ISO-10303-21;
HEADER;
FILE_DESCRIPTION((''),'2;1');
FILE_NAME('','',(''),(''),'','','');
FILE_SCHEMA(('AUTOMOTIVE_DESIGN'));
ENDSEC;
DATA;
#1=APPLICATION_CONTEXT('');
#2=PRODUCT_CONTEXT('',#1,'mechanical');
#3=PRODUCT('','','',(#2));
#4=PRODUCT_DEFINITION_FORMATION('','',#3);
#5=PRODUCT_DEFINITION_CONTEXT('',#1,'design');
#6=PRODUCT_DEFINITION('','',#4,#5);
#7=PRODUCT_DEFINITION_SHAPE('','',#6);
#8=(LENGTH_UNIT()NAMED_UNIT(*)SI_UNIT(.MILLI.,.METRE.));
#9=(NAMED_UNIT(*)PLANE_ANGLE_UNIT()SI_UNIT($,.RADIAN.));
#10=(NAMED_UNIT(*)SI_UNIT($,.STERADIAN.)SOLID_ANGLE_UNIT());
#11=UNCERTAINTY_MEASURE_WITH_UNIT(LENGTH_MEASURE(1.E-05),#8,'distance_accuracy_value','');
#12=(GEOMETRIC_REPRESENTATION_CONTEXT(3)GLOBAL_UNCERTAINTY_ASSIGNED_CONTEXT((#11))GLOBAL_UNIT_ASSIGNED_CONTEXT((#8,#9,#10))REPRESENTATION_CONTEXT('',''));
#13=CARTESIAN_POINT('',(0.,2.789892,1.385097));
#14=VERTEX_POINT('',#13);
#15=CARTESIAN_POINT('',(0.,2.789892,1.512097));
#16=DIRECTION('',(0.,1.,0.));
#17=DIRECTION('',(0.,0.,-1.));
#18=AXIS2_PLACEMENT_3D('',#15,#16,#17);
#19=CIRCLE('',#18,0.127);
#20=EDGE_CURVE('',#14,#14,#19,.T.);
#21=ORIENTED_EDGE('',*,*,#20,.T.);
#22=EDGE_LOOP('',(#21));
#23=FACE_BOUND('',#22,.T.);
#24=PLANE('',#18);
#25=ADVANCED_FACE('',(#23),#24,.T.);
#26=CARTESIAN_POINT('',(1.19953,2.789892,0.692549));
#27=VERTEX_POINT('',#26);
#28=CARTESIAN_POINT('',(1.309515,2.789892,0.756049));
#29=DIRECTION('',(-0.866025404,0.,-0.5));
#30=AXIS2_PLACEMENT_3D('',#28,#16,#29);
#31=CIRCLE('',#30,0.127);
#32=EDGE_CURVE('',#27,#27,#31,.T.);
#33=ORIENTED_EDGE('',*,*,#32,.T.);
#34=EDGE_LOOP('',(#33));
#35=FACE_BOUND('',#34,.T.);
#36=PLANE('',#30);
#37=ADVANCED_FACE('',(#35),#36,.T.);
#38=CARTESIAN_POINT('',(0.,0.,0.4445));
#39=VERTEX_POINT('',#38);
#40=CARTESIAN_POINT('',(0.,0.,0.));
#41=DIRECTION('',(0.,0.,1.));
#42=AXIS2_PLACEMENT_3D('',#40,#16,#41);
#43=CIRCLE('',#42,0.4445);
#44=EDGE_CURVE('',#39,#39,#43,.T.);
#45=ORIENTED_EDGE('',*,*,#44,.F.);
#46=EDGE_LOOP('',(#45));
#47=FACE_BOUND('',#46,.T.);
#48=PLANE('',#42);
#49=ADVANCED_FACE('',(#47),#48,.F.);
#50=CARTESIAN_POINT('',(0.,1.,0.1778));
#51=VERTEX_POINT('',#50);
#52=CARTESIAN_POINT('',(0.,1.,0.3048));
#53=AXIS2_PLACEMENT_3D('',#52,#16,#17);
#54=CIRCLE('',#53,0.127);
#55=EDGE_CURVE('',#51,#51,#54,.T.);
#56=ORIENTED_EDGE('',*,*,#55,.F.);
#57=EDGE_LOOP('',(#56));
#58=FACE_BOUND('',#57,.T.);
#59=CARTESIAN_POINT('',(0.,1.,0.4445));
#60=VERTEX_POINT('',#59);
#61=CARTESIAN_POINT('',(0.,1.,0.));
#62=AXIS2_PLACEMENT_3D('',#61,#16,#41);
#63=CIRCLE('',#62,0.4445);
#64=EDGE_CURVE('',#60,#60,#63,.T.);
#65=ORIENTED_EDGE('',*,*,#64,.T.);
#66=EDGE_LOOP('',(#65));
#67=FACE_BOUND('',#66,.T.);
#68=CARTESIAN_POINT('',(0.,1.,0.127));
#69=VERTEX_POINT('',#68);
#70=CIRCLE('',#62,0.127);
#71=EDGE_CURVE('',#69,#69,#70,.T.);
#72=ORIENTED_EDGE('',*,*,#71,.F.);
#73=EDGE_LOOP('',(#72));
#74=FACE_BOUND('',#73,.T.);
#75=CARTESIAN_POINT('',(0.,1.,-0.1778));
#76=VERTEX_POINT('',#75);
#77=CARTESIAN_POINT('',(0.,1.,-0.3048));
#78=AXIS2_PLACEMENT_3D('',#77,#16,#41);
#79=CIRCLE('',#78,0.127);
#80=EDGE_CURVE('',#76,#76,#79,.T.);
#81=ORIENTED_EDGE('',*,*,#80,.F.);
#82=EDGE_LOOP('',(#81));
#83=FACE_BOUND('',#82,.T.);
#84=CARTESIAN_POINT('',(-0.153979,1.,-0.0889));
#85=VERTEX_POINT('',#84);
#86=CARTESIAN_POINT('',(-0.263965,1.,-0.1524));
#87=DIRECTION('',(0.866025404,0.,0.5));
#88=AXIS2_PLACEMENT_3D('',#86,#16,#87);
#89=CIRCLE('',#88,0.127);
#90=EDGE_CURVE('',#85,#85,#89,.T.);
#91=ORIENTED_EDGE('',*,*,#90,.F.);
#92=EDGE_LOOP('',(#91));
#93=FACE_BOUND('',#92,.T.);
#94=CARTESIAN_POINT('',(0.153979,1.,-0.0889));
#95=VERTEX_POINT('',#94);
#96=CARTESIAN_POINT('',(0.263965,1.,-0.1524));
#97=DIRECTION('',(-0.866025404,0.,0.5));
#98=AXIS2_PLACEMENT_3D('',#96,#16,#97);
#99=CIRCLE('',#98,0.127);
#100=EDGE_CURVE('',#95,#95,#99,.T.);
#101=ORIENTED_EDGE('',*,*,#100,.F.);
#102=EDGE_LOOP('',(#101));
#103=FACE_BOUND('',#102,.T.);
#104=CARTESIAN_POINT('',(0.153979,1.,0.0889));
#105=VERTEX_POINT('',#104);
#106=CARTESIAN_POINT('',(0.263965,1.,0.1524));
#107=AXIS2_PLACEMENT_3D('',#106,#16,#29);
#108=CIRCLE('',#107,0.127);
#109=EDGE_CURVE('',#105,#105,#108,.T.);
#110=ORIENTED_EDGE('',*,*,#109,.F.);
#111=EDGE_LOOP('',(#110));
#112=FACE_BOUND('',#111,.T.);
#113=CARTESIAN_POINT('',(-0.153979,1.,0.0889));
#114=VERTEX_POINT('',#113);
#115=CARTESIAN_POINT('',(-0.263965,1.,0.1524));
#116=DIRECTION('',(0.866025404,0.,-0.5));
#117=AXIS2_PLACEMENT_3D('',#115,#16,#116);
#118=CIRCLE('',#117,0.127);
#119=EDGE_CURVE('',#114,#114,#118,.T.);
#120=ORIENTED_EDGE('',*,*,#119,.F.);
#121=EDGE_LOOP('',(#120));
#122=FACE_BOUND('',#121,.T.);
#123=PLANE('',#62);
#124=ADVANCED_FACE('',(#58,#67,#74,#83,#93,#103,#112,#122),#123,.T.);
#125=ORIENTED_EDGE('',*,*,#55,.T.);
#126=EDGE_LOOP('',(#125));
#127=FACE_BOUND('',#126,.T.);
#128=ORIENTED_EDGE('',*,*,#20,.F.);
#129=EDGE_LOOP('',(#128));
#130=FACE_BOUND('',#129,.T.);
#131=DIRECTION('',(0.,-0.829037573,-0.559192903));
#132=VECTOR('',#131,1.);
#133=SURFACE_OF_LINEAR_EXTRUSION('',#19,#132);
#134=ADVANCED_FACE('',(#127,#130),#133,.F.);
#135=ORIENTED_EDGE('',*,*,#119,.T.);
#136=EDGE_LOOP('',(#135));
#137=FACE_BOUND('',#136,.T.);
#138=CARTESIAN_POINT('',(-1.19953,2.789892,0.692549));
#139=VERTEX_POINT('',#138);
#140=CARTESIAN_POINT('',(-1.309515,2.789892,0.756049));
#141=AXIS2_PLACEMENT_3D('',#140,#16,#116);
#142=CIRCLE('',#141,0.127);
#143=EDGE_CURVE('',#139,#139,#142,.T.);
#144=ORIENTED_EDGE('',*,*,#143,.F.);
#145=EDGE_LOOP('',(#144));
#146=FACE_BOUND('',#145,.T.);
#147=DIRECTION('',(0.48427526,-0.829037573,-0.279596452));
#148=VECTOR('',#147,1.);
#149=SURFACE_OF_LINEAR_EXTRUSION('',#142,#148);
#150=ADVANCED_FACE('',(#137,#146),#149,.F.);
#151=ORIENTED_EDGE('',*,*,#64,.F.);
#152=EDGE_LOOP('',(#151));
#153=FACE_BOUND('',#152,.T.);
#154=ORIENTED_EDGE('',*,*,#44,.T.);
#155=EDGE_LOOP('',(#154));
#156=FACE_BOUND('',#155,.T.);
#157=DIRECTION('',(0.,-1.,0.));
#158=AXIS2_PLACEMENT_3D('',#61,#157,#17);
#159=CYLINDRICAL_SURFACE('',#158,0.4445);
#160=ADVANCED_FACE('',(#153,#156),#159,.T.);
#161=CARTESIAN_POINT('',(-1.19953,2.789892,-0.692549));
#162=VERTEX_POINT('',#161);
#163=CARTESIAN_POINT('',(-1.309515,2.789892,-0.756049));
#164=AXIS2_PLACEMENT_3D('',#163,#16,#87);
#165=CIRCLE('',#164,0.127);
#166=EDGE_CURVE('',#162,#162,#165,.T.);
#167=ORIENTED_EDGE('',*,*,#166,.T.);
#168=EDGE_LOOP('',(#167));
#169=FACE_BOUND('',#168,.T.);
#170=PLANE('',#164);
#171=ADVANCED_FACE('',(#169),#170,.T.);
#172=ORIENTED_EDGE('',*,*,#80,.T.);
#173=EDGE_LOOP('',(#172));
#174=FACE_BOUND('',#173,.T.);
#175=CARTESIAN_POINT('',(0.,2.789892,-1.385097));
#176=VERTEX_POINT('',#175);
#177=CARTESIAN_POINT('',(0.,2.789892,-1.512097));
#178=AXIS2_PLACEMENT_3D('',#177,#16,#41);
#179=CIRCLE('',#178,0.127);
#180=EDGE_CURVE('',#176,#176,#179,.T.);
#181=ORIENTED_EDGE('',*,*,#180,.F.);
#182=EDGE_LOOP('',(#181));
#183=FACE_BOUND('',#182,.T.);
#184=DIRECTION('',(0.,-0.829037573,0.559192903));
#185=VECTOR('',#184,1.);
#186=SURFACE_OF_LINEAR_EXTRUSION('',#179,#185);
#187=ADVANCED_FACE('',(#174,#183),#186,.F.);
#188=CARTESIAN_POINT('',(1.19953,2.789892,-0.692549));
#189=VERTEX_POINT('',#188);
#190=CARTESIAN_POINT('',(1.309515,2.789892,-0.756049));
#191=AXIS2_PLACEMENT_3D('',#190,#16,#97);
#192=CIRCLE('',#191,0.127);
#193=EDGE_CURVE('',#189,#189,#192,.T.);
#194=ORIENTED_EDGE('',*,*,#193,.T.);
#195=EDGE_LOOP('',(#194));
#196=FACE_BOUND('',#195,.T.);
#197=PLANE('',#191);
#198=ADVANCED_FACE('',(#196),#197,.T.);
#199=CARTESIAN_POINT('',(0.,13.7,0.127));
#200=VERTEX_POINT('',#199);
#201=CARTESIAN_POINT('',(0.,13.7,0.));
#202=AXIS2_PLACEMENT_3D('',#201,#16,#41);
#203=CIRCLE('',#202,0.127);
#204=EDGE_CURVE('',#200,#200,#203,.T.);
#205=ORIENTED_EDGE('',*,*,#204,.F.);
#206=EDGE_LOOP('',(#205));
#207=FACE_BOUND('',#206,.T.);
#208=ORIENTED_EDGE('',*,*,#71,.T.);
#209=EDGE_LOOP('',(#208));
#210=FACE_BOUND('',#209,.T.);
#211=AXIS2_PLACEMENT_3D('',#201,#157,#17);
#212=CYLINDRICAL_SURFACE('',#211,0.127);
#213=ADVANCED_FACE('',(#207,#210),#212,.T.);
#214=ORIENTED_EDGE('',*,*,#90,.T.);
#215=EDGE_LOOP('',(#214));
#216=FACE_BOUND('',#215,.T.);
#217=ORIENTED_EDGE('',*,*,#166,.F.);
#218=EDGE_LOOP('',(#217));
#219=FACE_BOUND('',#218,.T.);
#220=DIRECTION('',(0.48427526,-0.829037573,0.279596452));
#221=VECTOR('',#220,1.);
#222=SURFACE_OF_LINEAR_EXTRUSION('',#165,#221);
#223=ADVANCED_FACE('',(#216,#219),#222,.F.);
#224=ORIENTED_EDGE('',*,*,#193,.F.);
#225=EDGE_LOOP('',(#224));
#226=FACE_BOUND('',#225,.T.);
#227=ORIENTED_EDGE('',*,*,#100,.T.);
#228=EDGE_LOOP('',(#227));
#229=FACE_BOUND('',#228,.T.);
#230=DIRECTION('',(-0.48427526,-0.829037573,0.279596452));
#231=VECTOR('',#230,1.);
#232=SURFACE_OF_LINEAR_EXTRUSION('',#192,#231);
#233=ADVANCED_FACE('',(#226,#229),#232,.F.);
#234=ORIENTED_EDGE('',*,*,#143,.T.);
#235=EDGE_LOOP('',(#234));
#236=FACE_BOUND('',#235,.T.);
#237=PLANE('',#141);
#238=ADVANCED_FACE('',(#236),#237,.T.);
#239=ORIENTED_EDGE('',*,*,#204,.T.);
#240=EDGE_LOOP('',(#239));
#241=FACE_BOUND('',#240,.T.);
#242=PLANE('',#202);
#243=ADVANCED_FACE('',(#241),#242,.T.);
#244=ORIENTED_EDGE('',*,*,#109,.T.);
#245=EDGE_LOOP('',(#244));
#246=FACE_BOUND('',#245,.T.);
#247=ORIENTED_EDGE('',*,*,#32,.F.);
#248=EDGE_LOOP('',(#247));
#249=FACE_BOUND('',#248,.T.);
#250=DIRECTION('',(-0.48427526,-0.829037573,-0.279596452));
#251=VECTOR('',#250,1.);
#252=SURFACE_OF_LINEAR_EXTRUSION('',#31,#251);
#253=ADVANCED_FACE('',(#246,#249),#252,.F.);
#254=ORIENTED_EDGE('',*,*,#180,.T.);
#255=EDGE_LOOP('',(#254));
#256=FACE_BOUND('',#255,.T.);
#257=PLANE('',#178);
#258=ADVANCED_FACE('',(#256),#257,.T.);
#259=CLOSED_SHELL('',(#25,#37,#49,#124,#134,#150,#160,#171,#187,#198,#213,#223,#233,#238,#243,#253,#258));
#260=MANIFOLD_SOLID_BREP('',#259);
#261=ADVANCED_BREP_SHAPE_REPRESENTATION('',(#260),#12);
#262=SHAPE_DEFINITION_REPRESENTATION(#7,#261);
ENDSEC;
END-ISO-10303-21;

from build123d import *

# Parameters (mm, degrees)
SKETCH1_R           = 0.4445
BOSS_EXTRUDE1_DEPTH = 1
SKETCH2_R           = 0.127
BOSS_EXTRUDE2_DEPTH = 12.7
SKETCH3_R           = 0.127
CIRPATTERN1_COUNT   = 6


with BuildPart() as part:
    # Sketch1 → Boss-Extrude1 (new body)
    with BuildSketch(Plane(origin=(0, 0, 0), x_dir=(1, 0, 0), z_dir=(0, 1, 0))):
        with Locations(Location((0, 0, 0), (0, 0, 270))):
            Circle(SKETCH1_R)
    extrude(amount=BOSS_EXTRUDE1_DEPTH)

    # Sketch2 → Boss-Extrude2 (add)
    with BuildSketch(Plane(origin=(0, 1, 0), x_dir=(1, 0, 0), z_dir=(0, 1, 0))):
        with Locations(Location((0, 0, 0), (0, 0, 270))):
            Circle(SKETCH2_R)
    extrude(amount=BOSS_EXTRUDE2_DEPTH)

    # Sweep2: sweep along a curve in space
    with BuildLine() as sweep2_path:
        Line((0, 1, -0.3048), (0, 2.789892119, -1.512097479))
    # Sketch3 → Sweep2 (sweep)
    with BuildSketch(Plane(origin=(0, 1, 0), x_dir=(1, 0, 0), z_dir=(0, 1, 0))):
        with Locations((0, 0.3048)):
            Circle(SKETCH3_R)
    sweep2 = sweep(path=sweep2_path.line)

    # CirPattern1: Sweep2 ×6 about axis
    cirpattern1_axis = Axis((0, 1, 0), (0, 1, 0))
    for i in range(1, CIRPATTERN1_COUNT):
        add(sweep2.rotate(cirpattern1_axis, i * 360 / CIRPATTERN1_COUNT))


solid = part.part
